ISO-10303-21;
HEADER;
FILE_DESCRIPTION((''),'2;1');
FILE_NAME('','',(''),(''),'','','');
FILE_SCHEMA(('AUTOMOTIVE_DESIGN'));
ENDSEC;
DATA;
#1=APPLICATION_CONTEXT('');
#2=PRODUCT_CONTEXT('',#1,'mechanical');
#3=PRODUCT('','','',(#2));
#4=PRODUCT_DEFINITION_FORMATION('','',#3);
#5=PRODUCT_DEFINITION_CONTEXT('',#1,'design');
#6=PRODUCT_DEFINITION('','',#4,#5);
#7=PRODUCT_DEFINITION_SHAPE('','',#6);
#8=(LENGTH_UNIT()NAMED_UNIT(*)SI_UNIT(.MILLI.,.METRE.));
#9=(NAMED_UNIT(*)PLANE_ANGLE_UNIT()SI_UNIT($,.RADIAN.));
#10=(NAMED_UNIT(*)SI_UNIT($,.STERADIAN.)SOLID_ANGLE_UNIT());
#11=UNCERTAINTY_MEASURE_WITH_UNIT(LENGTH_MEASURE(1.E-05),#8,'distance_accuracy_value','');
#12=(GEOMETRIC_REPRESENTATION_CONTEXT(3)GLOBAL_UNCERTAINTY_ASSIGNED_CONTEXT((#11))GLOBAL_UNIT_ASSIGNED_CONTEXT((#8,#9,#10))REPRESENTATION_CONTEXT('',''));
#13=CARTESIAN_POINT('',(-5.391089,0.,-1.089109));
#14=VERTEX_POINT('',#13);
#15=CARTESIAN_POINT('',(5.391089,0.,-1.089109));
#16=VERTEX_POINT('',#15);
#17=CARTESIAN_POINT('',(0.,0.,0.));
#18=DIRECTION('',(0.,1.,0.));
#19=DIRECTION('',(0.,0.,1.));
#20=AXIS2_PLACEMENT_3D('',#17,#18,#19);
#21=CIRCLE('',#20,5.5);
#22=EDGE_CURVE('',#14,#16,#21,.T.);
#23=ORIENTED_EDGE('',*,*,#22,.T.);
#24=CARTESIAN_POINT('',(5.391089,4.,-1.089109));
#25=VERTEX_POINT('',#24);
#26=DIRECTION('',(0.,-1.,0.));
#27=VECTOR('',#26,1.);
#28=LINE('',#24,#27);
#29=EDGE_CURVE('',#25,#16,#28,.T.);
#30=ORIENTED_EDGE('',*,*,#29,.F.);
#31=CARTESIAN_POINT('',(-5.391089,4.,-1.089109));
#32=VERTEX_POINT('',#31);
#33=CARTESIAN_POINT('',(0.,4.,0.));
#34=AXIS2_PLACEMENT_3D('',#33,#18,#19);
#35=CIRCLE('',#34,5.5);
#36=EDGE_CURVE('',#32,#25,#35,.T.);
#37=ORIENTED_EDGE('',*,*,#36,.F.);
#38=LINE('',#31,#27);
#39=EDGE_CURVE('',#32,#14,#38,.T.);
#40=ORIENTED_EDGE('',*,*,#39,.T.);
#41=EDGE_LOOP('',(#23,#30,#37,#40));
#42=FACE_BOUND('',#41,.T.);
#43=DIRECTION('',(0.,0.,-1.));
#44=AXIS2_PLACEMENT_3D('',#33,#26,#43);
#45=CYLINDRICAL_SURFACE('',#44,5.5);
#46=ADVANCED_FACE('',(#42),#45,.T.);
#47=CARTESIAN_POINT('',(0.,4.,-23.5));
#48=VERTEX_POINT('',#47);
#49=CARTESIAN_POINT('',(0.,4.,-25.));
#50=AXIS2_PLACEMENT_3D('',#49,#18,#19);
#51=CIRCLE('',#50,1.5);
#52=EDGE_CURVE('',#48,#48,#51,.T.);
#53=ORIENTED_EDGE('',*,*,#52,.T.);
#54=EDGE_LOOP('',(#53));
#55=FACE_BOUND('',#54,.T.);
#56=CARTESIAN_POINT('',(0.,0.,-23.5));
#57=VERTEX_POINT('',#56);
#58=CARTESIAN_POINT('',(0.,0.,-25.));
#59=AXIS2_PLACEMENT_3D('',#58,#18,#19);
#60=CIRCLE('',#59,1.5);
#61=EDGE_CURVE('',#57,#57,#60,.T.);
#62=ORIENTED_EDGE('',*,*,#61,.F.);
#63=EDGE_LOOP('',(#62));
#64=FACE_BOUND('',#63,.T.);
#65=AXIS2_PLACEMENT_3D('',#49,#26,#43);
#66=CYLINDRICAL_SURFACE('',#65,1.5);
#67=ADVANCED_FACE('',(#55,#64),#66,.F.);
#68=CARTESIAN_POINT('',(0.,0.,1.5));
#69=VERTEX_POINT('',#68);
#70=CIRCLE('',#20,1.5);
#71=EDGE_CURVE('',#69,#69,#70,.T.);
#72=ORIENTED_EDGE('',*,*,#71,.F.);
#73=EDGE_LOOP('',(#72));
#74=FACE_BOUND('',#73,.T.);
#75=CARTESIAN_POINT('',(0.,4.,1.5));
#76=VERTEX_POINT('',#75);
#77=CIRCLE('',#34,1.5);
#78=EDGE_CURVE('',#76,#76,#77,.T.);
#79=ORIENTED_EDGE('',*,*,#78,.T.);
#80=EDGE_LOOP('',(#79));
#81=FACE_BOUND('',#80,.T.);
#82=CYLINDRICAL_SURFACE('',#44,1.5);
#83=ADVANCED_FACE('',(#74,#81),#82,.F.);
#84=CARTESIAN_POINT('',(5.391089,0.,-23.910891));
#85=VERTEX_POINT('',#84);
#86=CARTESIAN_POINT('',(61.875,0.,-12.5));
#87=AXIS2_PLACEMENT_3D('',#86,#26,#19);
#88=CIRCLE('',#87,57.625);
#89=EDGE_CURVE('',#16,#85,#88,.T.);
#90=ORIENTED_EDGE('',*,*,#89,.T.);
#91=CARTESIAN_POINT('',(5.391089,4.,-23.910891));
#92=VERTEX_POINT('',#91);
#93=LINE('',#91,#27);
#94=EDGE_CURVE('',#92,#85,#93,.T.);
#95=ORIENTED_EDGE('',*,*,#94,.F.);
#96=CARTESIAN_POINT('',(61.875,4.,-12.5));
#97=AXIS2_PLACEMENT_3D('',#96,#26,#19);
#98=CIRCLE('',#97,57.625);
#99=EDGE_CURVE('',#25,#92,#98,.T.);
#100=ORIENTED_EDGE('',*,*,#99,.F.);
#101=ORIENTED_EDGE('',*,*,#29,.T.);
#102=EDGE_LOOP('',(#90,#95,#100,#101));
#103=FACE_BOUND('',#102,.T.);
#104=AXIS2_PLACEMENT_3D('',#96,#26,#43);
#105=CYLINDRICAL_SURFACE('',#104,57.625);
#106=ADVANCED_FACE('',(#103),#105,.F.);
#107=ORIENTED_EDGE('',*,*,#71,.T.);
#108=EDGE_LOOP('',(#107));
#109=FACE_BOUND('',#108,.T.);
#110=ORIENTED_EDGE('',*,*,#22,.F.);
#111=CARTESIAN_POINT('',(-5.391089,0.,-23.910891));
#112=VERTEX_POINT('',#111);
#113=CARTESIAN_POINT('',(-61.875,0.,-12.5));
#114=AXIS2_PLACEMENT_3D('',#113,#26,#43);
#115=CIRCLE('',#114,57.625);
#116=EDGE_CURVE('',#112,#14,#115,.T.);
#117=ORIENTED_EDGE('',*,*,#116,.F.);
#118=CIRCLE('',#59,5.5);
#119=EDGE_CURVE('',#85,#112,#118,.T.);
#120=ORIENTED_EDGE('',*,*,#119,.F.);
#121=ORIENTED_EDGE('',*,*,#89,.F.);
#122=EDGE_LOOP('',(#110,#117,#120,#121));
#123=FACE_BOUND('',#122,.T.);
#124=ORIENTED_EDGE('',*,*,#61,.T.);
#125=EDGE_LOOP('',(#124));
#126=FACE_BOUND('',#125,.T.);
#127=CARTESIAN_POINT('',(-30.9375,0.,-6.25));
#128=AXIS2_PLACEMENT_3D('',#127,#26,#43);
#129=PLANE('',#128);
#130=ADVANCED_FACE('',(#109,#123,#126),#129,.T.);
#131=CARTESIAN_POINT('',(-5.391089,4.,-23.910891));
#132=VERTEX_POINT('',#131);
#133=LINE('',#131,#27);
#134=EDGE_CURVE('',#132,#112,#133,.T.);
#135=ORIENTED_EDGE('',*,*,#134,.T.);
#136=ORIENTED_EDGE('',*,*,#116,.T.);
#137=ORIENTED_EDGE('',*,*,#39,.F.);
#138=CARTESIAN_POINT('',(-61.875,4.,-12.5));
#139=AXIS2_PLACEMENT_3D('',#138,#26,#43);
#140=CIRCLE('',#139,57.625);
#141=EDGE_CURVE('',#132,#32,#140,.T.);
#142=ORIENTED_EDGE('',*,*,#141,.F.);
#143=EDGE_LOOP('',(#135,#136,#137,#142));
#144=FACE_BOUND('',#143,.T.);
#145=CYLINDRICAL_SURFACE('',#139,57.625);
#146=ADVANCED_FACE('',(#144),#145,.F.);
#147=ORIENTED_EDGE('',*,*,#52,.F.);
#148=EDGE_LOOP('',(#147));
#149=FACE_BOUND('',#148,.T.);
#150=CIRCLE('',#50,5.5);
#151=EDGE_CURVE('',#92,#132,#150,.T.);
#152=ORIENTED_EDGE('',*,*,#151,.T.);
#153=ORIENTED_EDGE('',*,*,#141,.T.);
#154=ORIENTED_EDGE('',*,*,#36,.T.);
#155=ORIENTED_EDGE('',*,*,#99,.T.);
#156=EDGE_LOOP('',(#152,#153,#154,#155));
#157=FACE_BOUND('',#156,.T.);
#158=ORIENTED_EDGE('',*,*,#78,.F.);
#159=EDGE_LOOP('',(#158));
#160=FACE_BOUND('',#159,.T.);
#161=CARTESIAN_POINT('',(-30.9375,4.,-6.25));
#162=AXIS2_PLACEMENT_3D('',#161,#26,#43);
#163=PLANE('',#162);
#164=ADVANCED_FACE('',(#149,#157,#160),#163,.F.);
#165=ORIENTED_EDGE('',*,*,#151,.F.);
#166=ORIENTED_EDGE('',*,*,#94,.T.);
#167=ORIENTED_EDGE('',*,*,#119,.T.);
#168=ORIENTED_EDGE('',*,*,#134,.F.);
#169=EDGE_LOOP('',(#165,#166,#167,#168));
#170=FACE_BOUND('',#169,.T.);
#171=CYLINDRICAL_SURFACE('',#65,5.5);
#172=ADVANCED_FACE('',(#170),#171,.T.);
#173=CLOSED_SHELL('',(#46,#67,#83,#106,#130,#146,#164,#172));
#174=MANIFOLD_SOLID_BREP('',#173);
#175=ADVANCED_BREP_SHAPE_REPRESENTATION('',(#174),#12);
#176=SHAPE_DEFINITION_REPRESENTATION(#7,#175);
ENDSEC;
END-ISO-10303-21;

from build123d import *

# Parameters (mm, degrees)
SKETCH1_R           = 1.5
BOSS_EXTRUDE1_DEPTH = 4


with BuildPart() as part:
    # Sketch1 → Boss-Extrude1 (new body)
    with BuildSketch(Plane(origin=(0, 0, 0), x_dir=(1, 0, 0), z_dir=(0, 1, 0))):
        with BuildLine():
            ThreePointArc((-5.391089109, 1.089108911), (0, -5.5), (5.391089109, 1.089108911))
            ThreePointArc((5.391089109, 1.089108911), (4.25, 12.5), (5.391089109, 23.910891089))
            ThreePointArc((5.391089109, 23.910891089), (0, 30.5), (-5.391089109, 23.910891089))
            ThreePointArc((-5.391089109, 23.910891089), (-4.25, 12.5), (-5.391089109, 1.089108911))
        make_face()
        Circle(SKETCH1_R, mode=Mode.SUBTRACT)
        with Locations((0, 25)):
            Circle(SKETCH1_R, mode=Mode.SUBTRACT)
    extrude(amount=BOSS_EXTRUDE1_DEPTH)


solid = part.part
